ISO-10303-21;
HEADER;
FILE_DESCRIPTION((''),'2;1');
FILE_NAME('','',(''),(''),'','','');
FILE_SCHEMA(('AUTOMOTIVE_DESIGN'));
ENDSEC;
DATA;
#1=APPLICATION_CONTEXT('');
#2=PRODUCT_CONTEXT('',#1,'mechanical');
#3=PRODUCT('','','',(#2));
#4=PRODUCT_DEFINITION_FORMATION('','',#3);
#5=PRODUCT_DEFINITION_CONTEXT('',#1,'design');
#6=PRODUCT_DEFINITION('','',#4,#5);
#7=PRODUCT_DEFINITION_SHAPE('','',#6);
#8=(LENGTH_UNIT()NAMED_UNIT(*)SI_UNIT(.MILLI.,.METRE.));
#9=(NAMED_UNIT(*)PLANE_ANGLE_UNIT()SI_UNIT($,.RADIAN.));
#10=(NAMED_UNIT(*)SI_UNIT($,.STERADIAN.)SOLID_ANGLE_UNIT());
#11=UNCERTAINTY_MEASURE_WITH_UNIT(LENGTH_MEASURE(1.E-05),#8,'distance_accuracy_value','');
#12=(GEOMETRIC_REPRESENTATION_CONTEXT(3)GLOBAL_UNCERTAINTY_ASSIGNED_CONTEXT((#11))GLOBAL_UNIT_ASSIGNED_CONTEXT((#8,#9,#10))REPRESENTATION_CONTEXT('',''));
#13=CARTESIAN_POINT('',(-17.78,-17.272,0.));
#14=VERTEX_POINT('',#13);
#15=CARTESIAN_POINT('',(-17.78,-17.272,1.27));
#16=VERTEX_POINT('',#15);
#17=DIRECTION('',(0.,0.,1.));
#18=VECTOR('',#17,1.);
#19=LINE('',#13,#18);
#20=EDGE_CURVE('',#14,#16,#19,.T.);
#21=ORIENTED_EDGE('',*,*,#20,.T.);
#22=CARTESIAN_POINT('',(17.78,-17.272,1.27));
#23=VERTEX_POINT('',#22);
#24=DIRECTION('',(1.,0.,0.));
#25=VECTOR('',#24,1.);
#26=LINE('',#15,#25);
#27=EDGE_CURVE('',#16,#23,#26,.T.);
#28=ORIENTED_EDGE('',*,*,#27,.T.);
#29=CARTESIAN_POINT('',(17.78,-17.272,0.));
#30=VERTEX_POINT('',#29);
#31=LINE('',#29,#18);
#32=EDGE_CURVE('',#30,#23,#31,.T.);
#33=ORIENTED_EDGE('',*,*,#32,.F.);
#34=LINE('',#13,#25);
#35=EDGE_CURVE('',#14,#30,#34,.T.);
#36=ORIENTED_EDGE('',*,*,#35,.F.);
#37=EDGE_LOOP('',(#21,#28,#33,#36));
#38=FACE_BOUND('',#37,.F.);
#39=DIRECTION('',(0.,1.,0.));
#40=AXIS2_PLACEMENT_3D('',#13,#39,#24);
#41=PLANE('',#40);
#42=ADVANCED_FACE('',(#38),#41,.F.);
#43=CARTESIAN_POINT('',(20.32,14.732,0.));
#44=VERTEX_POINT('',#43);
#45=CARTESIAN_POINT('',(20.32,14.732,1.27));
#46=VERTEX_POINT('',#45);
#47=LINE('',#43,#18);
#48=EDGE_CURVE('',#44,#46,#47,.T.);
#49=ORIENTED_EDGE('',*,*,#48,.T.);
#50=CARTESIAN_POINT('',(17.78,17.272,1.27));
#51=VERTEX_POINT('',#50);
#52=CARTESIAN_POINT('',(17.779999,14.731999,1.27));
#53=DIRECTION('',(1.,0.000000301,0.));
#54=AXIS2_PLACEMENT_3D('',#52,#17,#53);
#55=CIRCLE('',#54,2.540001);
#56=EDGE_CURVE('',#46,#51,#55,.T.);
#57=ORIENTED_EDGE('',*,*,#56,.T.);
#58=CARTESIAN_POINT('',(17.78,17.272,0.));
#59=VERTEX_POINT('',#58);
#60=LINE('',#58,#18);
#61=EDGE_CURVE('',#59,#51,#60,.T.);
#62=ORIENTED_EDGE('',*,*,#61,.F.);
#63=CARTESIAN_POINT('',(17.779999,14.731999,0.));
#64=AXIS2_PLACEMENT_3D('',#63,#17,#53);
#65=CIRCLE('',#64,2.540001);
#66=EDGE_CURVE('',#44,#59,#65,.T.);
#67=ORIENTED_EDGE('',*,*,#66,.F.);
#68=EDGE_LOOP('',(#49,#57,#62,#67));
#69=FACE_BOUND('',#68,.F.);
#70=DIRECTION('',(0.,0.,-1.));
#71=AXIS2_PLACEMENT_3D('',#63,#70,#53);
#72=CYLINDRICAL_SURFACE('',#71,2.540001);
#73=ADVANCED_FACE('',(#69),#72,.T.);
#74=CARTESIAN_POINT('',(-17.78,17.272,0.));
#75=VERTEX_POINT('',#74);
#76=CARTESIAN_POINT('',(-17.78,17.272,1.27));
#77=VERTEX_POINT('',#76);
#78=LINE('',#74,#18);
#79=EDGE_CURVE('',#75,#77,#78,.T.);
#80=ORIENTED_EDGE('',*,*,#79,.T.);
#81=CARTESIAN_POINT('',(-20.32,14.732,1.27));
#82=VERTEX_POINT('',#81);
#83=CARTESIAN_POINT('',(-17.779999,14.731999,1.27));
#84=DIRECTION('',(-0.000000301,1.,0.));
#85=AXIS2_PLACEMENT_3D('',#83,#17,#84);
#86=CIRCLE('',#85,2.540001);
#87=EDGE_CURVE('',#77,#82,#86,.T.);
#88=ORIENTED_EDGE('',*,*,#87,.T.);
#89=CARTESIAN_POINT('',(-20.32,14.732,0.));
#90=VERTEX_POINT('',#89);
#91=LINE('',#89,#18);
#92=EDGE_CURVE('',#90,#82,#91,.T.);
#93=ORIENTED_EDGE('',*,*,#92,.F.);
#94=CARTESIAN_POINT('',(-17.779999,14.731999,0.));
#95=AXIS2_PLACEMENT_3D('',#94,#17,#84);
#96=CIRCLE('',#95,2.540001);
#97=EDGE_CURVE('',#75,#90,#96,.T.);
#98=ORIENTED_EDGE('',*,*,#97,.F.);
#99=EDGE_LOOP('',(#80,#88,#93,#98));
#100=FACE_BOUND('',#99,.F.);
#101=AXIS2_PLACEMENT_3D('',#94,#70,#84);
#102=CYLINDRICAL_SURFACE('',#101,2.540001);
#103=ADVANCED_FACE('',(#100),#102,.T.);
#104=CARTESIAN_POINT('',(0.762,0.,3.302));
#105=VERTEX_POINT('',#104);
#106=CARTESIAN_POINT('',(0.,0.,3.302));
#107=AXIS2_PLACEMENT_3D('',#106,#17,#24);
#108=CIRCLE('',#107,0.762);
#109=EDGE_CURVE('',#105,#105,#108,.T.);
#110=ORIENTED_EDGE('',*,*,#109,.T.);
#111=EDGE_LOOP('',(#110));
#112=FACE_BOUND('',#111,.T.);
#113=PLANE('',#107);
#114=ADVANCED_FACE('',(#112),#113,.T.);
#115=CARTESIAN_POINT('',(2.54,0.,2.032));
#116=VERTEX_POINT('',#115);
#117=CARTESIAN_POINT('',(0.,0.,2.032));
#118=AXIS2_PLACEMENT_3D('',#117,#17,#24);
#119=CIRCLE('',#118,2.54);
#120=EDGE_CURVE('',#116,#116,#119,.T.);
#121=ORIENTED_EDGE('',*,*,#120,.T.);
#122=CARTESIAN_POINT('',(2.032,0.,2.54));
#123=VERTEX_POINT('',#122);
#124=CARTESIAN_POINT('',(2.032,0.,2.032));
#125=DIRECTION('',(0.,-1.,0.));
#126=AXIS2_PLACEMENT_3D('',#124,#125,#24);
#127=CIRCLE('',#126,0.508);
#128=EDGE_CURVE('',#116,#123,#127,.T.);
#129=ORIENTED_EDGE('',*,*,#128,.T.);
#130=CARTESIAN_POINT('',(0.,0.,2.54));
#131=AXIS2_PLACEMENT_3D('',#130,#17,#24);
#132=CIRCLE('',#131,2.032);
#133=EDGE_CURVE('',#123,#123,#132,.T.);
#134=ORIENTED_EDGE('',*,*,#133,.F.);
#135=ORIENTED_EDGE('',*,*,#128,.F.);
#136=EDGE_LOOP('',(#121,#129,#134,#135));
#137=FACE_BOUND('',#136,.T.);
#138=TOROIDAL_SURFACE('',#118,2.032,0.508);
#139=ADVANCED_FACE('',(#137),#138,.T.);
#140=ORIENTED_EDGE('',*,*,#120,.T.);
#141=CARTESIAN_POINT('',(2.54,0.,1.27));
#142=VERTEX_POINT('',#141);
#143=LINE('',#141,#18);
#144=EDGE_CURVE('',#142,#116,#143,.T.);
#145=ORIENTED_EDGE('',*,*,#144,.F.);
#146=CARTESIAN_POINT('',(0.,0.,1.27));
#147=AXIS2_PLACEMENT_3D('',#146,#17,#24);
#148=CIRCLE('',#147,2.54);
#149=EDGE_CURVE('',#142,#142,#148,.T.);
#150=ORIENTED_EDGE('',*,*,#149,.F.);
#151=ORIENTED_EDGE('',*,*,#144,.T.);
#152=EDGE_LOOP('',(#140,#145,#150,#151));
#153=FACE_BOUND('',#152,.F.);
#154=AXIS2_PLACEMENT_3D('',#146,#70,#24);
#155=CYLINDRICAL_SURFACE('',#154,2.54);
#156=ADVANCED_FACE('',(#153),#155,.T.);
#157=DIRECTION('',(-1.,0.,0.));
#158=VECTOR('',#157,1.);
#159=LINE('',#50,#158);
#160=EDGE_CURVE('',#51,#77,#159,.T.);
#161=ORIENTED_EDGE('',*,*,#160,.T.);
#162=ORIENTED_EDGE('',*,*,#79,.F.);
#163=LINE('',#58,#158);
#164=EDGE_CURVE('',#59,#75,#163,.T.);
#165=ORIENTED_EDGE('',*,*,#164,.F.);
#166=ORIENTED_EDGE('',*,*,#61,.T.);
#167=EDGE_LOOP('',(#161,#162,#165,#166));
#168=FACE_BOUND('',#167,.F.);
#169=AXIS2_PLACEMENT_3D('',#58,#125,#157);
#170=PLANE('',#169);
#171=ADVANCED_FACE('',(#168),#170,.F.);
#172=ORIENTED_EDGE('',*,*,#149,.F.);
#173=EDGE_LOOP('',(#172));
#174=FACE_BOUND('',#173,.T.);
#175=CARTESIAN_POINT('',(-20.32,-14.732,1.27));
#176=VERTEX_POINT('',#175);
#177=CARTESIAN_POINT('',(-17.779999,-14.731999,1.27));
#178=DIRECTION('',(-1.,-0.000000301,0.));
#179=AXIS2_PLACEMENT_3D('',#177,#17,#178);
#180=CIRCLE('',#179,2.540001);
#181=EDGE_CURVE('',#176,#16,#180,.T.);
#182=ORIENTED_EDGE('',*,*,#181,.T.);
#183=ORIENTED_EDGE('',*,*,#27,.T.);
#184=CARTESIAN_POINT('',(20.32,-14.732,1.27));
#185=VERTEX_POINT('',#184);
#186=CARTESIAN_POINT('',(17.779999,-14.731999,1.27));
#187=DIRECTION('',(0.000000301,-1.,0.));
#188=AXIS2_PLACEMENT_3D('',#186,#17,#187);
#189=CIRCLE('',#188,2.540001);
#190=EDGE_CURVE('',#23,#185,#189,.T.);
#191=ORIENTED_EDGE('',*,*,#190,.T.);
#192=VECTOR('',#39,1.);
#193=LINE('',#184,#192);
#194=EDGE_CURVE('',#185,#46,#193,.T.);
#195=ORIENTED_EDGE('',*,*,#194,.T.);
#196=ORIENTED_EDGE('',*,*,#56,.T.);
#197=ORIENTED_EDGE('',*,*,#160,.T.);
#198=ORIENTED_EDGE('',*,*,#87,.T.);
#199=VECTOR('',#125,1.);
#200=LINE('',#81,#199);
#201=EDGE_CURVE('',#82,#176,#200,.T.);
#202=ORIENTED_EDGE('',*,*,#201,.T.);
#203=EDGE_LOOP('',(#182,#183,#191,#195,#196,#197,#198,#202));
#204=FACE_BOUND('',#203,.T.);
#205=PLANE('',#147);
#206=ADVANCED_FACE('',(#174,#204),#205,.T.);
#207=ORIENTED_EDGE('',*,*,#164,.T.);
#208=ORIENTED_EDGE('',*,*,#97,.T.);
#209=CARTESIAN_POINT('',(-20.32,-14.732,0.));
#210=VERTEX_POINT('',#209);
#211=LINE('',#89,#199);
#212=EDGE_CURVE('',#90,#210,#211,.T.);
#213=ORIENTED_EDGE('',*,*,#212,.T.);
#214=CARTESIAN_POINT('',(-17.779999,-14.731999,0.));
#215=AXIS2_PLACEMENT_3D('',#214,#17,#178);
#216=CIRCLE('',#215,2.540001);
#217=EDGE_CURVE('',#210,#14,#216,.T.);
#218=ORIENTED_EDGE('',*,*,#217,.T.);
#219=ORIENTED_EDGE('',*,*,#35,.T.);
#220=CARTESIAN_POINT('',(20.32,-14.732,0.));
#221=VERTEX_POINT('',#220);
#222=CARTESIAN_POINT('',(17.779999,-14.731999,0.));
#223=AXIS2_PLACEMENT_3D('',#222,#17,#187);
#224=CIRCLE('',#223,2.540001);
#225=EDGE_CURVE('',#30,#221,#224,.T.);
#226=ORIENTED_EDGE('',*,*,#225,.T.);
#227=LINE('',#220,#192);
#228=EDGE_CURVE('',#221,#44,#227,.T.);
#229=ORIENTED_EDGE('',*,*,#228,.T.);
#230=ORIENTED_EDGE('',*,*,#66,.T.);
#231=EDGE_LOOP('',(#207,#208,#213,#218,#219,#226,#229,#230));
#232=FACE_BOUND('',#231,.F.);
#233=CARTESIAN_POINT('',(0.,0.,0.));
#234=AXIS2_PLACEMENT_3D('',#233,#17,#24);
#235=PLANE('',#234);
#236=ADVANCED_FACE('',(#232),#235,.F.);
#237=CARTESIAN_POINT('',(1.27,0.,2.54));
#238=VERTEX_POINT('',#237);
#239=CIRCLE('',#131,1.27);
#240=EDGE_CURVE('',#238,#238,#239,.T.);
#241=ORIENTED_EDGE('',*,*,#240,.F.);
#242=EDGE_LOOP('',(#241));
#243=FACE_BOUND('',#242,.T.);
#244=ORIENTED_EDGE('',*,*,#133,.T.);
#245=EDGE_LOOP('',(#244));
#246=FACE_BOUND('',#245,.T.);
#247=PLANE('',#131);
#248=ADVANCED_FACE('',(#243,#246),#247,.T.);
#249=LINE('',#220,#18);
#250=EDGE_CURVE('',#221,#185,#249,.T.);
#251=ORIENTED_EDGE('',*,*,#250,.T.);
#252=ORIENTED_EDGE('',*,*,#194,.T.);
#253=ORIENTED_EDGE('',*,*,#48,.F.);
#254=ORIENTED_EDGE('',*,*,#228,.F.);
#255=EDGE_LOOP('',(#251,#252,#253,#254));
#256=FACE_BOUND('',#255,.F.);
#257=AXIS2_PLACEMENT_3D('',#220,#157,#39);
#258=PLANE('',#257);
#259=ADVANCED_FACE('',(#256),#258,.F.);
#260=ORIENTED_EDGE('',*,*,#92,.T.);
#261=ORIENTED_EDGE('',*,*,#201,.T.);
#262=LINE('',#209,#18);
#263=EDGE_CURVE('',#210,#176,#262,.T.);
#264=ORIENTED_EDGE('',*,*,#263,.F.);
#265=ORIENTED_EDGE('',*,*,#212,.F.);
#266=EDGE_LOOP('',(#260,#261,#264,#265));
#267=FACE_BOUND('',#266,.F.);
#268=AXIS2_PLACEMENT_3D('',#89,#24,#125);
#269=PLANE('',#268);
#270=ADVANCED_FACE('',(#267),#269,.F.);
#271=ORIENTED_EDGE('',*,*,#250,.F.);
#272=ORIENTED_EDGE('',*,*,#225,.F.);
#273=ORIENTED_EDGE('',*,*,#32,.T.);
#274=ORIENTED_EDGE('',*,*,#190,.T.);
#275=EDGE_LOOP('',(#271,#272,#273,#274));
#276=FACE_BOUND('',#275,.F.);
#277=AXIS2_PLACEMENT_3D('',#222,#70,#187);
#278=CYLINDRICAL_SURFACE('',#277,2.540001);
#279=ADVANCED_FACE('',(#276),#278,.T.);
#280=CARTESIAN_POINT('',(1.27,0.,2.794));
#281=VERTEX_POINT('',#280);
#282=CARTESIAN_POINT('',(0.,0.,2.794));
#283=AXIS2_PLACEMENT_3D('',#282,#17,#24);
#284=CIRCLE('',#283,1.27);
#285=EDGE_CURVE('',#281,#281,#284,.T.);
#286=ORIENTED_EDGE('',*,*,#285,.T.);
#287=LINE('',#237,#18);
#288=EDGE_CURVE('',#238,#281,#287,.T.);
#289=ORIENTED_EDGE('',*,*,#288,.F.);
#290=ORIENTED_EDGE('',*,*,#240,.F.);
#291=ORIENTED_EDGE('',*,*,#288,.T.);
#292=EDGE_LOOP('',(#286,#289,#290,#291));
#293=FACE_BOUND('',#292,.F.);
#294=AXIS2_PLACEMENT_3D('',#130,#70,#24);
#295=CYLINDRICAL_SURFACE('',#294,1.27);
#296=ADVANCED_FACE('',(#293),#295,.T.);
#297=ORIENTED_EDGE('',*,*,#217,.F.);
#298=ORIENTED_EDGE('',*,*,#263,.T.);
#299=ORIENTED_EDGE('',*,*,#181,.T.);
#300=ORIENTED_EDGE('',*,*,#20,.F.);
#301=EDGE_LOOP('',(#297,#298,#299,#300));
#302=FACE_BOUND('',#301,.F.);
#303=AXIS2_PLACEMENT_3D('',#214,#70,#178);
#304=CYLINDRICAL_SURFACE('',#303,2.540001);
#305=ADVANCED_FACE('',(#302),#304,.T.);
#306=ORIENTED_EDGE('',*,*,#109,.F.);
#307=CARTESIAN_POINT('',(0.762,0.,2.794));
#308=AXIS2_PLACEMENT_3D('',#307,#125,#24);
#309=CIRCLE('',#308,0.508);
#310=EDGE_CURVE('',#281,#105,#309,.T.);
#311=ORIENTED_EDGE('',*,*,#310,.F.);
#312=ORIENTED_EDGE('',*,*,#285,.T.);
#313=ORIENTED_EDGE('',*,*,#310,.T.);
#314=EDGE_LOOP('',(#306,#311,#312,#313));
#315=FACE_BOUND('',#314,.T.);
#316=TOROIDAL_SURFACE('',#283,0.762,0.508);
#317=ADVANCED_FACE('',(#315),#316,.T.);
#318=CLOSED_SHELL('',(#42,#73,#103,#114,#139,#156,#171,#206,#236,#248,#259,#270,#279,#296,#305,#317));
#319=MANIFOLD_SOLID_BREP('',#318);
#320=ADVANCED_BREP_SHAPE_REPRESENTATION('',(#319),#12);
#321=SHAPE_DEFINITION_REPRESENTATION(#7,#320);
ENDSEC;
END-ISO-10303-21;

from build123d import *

# Parameters (mm, degrees)
F1_DEPTH = 1.27
F2_R     = 2.54
F3_DEPTH = 1.27
F4_R     = 1.27
F5_DEPTH = 0.762
F6_R     = 0.508


with BuildPart() as f1:
    # F0 (on Top) → F1 (new body)
    with BuildSketch(Plane.XY):
        with BuildLine():
            ThreePointArc((20.32, 14.732), (19.576051, 16.528051), (17.78, 17.272))
            Line((17.78, 17.272), (-17.78, 17.272))
            ThreePointArc((-17.78, 17.272), (-19.576051, 16.528051), (-20.32, 14.732))
            Line((-20.32, 14.732), (-20.32, -14.732))
            ThreePointArc((-20.32, -14.732), (-19.576051, -16.528051), (-17.78, -17.272))
            Line((-17.78, -17.272), (17.78, -17.272))
            ThreePointArc((17.78, -17.272), (19.576051, -16.528051), (20.32, -14.732))
            Line((20.32, -14.732), (20.32, 14.732))
        make_face()
    extrude(amount=F1_DEPTH)

    # F2 (on face) → F3 (join)
    with BuildSketch(Plane.XY.offset(1.27)):
        Circle(F2_R)
    extrude(amount=F3_DEPTH)

    # F4 (on face) → F5 (join)
    with BuildSketch(Plane.XY.offset(2.54)):
        Circle(F4_R)
    extrude(amount=F5_DEPTH)

    # F6
    f6_edges = [f1.edges().sort_by_distance(p)[0] for p in [
        (-2.54, 0, 2.54),
        (-1.27, 0, 3.302),
    ]]
    fillet(f6_edges, radius=F6_R)


solid = f1.part
